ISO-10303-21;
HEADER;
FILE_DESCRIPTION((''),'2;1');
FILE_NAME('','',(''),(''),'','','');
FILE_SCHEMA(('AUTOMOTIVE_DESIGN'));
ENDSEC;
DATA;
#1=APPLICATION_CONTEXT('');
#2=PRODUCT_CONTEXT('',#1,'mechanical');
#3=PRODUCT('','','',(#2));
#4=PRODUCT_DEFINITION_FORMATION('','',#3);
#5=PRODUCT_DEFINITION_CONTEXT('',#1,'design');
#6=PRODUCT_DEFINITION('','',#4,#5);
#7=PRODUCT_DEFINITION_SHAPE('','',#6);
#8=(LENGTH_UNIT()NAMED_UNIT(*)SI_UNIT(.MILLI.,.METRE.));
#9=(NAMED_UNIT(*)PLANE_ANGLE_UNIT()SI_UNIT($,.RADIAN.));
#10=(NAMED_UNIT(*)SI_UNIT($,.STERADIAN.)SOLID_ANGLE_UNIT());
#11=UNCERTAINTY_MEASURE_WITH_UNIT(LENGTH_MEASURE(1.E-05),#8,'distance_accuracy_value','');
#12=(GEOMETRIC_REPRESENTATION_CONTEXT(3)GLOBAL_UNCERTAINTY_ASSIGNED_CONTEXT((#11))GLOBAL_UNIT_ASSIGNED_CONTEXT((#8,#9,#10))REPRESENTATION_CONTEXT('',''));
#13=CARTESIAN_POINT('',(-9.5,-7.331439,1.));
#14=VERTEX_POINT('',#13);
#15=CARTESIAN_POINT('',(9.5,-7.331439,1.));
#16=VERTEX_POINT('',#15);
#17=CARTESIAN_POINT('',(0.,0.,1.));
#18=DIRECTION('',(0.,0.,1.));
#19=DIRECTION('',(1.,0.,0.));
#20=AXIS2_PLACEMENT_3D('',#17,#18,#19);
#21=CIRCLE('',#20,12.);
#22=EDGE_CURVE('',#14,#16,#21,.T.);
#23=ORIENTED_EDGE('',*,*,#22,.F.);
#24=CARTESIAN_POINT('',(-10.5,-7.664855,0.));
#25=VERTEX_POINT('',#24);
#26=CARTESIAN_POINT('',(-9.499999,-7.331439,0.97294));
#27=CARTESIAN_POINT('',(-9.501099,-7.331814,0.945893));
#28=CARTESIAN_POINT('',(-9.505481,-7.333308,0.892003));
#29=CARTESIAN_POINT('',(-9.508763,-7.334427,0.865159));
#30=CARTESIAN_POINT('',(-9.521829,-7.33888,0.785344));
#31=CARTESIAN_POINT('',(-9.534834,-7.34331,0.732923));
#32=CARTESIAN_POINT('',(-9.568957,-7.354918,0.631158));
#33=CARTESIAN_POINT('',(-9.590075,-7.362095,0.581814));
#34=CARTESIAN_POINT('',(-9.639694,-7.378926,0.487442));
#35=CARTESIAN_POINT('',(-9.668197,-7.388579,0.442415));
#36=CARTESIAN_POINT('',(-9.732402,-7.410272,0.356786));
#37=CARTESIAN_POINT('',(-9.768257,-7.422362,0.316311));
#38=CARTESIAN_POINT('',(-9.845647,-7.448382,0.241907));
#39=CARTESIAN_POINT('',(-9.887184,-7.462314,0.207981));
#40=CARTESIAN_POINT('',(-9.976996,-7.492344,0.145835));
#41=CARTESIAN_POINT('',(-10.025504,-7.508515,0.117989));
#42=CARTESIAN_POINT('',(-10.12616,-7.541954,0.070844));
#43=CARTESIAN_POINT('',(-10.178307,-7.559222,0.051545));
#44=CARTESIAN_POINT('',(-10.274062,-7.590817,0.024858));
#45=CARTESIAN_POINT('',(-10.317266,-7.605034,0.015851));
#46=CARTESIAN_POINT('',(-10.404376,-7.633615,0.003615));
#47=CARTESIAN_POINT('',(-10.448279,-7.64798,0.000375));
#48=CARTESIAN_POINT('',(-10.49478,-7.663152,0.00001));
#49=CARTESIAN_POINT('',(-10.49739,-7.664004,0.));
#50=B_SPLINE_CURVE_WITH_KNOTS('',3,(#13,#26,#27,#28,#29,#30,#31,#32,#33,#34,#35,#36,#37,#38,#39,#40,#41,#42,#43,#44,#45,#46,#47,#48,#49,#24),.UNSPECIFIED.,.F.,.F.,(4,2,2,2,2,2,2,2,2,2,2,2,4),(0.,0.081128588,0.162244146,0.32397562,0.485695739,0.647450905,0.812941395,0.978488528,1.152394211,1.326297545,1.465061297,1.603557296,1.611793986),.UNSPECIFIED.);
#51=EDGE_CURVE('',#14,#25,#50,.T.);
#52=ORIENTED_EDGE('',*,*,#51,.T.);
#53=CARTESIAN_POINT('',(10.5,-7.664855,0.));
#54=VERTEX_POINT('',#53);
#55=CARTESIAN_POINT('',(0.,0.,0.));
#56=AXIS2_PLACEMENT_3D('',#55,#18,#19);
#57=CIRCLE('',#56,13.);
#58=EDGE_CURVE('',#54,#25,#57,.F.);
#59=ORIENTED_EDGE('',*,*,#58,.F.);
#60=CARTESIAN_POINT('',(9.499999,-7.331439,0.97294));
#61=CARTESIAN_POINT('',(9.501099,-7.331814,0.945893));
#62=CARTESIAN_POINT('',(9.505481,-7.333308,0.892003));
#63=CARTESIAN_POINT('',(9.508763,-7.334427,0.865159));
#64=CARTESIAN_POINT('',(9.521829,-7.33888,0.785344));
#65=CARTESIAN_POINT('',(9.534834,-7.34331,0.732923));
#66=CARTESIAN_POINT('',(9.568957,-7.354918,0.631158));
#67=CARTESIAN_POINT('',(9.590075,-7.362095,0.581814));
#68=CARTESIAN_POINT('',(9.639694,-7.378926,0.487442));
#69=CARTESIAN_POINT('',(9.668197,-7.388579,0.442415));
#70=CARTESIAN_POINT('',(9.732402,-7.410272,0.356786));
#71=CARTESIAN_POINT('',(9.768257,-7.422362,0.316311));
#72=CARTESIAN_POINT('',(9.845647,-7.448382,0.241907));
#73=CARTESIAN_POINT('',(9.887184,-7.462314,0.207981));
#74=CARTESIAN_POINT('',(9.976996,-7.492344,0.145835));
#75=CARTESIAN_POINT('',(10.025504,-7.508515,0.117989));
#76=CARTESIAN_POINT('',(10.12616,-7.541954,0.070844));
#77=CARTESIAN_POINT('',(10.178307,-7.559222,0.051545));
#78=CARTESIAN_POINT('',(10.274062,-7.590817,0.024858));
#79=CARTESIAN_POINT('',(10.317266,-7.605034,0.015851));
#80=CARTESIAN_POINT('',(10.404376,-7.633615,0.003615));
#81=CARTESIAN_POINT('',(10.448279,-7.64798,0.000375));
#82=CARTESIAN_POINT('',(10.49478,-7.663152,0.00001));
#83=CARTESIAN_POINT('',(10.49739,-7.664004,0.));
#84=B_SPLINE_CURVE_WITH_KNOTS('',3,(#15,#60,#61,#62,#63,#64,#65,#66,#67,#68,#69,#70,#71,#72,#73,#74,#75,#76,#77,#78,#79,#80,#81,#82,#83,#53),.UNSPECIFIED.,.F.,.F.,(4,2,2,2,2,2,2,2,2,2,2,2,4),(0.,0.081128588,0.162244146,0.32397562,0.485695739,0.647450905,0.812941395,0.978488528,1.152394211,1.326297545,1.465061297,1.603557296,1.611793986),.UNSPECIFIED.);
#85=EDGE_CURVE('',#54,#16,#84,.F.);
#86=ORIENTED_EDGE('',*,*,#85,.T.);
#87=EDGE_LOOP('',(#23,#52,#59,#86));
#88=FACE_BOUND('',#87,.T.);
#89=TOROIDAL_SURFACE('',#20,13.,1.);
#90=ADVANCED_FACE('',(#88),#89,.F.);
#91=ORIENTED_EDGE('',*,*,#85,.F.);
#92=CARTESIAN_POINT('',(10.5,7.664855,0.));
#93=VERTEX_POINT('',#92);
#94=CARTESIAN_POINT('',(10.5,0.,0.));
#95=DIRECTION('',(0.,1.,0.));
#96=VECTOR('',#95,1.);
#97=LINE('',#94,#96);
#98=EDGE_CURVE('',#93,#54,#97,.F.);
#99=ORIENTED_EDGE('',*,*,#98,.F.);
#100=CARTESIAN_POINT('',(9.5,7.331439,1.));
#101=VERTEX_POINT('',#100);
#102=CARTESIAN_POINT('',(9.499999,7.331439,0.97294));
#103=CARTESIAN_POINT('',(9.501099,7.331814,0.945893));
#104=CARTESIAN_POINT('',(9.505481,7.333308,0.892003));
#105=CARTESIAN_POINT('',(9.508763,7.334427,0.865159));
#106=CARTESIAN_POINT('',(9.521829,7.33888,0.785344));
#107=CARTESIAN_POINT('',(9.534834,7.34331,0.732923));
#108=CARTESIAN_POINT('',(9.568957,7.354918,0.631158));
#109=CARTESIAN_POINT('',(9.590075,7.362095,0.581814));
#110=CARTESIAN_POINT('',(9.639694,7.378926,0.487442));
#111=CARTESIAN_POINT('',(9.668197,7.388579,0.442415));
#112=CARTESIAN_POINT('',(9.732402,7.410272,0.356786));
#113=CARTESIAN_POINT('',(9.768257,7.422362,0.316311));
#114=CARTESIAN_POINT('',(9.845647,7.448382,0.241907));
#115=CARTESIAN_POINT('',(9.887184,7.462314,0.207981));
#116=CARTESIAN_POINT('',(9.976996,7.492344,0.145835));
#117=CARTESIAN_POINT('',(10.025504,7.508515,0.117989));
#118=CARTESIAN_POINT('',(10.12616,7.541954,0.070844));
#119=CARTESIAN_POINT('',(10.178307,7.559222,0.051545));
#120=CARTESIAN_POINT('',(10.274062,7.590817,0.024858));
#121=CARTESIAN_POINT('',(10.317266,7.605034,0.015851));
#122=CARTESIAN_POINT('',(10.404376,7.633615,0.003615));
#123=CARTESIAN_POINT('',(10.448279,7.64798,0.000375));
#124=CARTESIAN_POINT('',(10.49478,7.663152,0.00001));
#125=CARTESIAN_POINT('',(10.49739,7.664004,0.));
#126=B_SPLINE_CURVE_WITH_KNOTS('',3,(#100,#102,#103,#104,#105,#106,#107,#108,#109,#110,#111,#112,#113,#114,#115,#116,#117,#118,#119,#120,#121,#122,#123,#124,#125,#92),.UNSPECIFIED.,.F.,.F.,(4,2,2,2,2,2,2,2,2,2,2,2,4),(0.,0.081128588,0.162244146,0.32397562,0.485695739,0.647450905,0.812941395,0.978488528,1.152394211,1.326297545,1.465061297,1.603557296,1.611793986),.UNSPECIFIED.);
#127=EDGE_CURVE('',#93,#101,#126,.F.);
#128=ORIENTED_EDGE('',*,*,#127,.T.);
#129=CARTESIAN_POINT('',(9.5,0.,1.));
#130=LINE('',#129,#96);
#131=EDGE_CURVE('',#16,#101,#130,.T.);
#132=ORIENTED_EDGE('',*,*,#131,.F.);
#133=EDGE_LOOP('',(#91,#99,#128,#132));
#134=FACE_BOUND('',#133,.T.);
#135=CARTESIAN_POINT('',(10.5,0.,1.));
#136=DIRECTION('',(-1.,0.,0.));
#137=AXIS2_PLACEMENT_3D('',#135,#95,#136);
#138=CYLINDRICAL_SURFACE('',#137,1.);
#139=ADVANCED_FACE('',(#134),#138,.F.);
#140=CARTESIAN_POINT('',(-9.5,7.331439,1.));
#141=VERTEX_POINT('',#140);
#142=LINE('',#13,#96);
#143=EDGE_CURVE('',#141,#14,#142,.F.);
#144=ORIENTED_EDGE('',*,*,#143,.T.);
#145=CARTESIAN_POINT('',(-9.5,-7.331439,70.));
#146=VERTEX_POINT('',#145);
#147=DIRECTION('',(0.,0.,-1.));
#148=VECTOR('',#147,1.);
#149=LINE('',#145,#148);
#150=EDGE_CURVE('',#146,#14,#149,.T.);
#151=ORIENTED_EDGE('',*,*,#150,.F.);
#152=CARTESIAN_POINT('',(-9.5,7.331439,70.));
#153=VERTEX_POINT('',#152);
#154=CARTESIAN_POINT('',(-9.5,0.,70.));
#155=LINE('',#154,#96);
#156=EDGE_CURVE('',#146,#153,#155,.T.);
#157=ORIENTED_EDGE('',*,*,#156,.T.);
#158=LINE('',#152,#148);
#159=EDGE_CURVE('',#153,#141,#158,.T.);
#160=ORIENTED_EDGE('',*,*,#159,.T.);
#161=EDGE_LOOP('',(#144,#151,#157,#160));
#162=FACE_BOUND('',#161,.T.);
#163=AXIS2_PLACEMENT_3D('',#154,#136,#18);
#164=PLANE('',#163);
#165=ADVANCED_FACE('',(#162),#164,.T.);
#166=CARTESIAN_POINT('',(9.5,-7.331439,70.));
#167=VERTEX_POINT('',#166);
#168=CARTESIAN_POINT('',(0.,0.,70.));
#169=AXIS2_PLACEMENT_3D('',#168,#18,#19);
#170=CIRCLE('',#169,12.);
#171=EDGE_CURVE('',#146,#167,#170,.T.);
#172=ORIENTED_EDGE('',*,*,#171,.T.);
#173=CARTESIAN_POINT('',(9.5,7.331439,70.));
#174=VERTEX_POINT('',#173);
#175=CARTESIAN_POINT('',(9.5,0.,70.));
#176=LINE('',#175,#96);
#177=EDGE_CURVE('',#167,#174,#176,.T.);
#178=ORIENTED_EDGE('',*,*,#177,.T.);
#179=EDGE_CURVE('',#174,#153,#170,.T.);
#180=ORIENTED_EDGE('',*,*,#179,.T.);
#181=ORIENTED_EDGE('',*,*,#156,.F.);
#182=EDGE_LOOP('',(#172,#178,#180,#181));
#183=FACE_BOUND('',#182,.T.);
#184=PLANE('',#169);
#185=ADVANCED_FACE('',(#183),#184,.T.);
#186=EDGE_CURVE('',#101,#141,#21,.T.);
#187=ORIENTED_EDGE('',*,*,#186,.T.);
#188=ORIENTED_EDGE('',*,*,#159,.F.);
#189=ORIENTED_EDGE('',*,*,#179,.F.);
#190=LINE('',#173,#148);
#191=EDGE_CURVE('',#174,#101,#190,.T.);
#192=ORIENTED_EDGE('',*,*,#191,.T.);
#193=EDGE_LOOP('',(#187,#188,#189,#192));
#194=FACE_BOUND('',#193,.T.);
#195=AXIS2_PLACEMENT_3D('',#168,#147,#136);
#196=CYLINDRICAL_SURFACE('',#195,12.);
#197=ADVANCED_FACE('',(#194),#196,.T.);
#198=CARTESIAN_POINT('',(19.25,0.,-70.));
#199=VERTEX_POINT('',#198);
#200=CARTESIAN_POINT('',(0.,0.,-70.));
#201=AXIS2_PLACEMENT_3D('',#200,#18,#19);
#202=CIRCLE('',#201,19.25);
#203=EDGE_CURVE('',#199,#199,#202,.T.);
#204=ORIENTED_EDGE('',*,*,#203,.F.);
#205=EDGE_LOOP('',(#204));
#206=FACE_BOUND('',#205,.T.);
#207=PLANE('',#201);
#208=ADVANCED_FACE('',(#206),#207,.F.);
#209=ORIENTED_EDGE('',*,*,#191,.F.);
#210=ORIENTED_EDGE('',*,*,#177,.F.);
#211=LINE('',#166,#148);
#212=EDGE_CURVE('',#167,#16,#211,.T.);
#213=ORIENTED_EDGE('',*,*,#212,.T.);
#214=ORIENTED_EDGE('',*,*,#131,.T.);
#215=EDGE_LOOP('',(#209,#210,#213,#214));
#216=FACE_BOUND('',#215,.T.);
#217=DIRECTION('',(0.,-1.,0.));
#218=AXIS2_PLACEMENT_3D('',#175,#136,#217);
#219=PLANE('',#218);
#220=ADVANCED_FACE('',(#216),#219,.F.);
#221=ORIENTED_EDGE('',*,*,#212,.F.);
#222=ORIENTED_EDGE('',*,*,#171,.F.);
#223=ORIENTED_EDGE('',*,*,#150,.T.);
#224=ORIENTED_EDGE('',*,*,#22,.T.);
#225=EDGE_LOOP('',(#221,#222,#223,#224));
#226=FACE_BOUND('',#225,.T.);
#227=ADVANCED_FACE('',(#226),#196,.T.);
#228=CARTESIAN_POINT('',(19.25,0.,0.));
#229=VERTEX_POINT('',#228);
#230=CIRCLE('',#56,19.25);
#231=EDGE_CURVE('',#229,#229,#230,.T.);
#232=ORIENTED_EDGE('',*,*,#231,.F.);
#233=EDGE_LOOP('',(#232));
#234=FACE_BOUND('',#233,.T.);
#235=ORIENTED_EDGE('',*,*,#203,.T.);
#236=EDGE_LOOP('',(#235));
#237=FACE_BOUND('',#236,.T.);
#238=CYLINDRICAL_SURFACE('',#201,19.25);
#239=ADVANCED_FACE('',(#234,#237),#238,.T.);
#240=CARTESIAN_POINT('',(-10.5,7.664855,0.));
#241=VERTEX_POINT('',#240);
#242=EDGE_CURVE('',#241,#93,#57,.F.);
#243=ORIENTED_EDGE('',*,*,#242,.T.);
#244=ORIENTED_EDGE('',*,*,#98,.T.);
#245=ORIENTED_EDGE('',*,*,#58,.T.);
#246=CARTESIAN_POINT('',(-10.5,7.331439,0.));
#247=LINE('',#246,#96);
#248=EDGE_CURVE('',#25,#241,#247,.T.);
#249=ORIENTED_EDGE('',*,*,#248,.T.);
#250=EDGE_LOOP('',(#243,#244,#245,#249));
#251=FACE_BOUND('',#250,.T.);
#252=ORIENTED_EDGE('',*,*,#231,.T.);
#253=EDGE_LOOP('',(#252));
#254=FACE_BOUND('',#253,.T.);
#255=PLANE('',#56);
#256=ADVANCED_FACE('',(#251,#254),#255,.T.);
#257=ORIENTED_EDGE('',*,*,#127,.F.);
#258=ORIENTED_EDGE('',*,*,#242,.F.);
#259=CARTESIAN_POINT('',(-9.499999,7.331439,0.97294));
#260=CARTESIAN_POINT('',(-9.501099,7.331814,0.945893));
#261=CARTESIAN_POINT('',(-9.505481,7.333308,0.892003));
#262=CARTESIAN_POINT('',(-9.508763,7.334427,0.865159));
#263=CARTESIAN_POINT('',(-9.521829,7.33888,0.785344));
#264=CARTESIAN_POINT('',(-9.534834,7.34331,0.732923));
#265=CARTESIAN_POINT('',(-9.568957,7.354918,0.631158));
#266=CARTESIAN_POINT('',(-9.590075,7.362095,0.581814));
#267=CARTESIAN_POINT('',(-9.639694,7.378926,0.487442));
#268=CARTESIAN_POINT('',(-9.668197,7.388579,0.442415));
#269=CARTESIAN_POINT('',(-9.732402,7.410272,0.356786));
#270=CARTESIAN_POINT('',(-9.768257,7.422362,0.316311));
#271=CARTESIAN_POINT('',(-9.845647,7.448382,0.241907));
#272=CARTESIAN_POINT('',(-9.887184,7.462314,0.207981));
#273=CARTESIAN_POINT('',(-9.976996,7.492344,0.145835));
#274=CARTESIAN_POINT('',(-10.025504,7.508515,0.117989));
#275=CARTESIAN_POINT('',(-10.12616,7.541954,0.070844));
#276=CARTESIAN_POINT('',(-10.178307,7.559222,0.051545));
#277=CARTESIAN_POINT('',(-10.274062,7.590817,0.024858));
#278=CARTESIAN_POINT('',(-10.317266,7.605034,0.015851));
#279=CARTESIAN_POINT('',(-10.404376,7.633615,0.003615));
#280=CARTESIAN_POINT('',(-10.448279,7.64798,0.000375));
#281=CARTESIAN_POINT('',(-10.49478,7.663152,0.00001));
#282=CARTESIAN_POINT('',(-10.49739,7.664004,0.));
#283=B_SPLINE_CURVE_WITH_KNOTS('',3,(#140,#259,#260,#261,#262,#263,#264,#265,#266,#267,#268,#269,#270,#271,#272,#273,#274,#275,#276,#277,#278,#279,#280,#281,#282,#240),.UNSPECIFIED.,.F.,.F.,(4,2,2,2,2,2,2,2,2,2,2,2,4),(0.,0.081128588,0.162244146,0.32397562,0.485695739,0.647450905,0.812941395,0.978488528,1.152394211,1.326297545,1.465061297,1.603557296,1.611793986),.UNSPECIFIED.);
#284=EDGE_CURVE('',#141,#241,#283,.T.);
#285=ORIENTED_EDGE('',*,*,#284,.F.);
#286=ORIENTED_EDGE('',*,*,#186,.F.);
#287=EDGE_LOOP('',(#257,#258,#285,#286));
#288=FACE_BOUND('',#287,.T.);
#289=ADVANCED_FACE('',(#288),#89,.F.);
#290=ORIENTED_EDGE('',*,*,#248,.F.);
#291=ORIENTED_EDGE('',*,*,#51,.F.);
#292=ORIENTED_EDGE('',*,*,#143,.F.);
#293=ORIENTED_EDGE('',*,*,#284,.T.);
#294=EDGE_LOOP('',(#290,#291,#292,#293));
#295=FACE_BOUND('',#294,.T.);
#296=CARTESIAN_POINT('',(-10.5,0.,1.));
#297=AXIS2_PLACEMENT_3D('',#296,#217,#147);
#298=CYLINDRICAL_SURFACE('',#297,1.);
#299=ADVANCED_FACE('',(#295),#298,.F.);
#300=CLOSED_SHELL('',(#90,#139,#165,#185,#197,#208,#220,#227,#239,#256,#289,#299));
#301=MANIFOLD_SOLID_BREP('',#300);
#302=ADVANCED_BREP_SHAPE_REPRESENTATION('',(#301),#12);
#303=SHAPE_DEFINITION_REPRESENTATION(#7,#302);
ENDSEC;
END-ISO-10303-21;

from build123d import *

# Parameters (mm, degrees)
ESQUISSE1_R        = 19.25
BOSS_EXTRU_1_DEPTH = 70
BOSS_EXTRU_2_DEPTH = 70
CONG_1_R           = 1


with BuildPart() as part:
    # Esquisse1 → Boss.-Extru.1 (new body)
    with BuildSketch(Plane.XY):
        Circle(ESQUISSE1_R)
    extrude(amount=-BOSS_EXTRU_1_DEPTH)

    # Esquisse1<4> → Boss.-Extru.2 (add)
    with BuildSketch(Plane.XY):
        with BuildLine():
            Line((-9.5, 7.331439149), (-9.5, -7.331439149))
            ThreePointArc((-9.5, -7.331439149), (0, -12), (9.5, -7.331439149))
            Line((9.5, -7.331439149), (9.5, 7.331439149))
            ThreePointArc((9.5, 7.331439149), (0, 12), (-9.5, 7.331439149))
        make_face()
    extrude(amount=BOSS_EXTRU_2_DEPTH)

    # Congé1
    cong_1_edges = [part.edges().sort_by_distance(p)[0] for p in [
        (0, -12, 0),
        (-9.5, 0, 0),
        (0, 12, 0),
        (9.5, 0, 0),
    ]]
    fillet(cong_1_edges, radius=CONG_1_R)


solid = part.part
